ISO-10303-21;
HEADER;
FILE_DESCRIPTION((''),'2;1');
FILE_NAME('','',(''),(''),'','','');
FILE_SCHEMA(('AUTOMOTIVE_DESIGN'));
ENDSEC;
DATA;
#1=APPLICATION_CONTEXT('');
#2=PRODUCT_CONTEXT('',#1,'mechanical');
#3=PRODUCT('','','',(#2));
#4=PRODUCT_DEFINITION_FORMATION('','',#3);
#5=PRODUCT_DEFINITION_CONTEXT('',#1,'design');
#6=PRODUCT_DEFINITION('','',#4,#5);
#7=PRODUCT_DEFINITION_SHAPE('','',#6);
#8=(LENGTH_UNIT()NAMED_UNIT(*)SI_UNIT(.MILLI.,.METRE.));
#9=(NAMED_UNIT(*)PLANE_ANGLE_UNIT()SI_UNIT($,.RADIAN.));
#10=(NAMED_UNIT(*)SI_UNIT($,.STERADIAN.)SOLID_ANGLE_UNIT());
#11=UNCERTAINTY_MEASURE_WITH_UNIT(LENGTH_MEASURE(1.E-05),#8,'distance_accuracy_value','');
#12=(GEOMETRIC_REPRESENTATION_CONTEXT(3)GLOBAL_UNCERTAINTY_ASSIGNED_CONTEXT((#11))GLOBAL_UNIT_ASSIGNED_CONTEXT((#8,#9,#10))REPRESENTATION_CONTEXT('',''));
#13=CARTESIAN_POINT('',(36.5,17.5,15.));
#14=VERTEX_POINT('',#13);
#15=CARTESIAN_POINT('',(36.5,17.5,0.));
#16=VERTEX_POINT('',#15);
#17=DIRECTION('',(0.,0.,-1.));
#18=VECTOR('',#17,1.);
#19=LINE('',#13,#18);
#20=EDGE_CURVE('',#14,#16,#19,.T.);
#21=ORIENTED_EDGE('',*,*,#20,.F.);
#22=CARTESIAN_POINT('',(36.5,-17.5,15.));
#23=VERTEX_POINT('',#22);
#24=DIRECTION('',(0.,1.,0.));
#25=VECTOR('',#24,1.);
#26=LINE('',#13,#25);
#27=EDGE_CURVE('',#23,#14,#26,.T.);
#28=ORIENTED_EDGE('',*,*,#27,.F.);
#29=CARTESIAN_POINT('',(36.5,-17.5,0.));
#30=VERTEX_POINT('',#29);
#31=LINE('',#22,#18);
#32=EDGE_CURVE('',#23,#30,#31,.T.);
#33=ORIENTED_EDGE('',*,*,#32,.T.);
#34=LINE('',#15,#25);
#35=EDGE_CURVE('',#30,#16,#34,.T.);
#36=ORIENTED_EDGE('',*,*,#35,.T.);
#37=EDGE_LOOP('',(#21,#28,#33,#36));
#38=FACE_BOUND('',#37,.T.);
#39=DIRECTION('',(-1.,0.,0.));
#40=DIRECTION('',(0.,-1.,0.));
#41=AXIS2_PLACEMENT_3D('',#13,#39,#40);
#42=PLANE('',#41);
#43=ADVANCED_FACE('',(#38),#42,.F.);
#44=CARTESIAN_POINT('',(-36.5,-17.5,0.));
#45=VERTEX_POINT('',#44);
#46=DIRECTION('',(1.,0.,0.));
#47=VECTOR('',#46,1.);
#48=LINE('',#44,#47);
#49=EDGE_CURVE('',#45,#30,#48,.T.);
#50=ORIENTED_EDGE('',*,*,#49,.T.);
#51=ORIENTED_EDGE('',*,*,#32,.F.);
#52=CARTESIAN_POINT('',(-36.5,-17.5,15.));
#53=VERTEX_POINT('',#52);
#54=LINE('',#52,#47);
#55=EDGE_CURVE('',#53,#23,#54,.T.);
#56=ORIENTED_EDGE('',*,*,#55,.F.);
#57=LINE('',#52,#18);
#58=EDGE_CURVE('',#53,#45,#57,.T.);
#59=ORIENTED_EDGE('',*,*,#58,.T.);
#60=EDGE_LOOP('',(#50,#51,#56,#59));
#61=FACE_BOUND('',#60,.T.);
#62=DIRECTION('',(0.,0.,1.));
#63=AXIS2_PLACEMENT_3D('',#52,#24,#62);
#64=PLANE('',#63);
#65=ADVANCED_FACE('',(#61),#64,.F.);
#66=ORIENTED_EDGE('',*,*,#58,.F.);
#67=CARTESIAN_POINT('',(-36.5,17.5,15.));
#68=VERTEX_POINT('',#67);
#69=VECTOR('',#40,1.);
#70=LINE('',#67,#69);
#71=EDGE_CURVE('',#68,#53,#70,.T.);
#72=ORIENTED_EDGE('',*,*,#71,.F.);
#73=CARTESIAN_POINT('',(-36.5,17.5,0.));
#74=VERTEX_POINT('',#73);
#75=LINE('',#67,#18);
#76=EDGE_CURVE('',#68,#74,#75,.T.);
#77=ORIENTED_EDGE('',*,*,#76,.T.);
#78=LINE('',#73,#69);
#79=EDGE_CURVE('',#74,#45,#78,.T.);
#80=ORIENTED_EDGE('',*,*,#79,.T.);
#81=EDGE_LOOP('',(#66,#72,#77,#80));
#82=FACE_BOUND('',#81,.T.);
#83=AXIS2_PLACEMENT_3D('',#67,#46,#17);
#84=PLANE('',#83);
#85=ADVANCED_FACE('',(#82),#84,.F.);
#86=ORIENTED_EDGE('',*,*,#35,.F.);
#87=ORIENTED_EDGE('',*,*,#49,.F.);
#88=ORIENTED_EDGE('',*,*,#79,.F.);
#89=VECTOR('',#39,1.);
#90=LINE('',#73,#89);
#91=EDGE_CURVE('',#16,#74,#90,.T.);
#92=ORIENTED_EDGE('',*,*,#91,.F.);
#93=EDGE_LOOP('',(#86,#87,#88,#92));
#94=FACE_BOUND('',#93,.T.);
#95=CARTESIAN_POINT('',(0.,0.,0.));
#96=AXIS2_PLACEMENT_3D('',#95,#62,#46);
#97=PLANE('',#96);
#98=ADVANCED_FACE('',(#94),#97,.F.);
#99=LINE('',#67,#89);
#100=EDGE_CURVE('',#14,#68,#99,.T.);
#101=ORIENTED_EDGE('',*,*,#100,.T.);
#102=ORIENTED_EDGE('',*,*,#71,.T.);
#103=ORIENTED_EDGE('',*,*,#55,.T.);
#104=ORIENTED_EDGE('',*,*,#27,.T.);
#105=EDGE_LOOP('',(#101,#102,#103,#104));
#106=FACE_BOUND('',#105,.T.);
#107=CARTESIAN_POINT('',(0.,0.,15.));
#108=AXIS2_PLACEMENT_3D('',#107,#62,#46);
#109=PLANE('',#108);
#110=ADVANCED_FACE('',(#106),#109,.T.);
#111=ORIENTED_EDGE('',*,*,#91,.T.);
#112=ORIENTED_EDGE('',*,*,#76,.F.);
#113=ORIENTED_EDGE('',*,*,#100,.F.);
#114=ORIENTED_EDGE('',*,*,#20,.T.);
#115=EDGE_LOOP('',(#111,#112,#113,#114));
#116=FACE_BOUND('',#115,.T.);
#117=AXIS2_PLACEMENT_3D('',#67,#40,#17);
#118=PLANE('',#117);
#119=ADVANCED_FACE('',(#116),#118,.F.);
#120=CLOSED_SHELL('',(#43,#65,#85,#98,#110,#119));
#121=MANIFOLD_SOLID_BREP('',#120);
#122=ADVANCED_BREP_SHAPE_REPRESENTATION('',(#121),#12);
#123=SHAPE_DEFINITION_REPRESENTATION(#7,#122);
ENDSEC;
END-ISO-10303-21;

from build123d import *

# Parameters (mm, degrees)
ESBO_O1_W                = 73
ESBO_O1_H                = 35
RESSALTO_EXTRUS_O1_DEPTH = 15


with BuildPart() as part:
    # Esboço1 → Ressalto-extrusão1 (new body)
    with BuildSketch(Plane.XY):
        Rectangle(ESBO_O1_W, ESBO_O1_H)
    extrude(amount=RESSALTO_EXTRUS_O1_DEPTH)


solid = part.part
